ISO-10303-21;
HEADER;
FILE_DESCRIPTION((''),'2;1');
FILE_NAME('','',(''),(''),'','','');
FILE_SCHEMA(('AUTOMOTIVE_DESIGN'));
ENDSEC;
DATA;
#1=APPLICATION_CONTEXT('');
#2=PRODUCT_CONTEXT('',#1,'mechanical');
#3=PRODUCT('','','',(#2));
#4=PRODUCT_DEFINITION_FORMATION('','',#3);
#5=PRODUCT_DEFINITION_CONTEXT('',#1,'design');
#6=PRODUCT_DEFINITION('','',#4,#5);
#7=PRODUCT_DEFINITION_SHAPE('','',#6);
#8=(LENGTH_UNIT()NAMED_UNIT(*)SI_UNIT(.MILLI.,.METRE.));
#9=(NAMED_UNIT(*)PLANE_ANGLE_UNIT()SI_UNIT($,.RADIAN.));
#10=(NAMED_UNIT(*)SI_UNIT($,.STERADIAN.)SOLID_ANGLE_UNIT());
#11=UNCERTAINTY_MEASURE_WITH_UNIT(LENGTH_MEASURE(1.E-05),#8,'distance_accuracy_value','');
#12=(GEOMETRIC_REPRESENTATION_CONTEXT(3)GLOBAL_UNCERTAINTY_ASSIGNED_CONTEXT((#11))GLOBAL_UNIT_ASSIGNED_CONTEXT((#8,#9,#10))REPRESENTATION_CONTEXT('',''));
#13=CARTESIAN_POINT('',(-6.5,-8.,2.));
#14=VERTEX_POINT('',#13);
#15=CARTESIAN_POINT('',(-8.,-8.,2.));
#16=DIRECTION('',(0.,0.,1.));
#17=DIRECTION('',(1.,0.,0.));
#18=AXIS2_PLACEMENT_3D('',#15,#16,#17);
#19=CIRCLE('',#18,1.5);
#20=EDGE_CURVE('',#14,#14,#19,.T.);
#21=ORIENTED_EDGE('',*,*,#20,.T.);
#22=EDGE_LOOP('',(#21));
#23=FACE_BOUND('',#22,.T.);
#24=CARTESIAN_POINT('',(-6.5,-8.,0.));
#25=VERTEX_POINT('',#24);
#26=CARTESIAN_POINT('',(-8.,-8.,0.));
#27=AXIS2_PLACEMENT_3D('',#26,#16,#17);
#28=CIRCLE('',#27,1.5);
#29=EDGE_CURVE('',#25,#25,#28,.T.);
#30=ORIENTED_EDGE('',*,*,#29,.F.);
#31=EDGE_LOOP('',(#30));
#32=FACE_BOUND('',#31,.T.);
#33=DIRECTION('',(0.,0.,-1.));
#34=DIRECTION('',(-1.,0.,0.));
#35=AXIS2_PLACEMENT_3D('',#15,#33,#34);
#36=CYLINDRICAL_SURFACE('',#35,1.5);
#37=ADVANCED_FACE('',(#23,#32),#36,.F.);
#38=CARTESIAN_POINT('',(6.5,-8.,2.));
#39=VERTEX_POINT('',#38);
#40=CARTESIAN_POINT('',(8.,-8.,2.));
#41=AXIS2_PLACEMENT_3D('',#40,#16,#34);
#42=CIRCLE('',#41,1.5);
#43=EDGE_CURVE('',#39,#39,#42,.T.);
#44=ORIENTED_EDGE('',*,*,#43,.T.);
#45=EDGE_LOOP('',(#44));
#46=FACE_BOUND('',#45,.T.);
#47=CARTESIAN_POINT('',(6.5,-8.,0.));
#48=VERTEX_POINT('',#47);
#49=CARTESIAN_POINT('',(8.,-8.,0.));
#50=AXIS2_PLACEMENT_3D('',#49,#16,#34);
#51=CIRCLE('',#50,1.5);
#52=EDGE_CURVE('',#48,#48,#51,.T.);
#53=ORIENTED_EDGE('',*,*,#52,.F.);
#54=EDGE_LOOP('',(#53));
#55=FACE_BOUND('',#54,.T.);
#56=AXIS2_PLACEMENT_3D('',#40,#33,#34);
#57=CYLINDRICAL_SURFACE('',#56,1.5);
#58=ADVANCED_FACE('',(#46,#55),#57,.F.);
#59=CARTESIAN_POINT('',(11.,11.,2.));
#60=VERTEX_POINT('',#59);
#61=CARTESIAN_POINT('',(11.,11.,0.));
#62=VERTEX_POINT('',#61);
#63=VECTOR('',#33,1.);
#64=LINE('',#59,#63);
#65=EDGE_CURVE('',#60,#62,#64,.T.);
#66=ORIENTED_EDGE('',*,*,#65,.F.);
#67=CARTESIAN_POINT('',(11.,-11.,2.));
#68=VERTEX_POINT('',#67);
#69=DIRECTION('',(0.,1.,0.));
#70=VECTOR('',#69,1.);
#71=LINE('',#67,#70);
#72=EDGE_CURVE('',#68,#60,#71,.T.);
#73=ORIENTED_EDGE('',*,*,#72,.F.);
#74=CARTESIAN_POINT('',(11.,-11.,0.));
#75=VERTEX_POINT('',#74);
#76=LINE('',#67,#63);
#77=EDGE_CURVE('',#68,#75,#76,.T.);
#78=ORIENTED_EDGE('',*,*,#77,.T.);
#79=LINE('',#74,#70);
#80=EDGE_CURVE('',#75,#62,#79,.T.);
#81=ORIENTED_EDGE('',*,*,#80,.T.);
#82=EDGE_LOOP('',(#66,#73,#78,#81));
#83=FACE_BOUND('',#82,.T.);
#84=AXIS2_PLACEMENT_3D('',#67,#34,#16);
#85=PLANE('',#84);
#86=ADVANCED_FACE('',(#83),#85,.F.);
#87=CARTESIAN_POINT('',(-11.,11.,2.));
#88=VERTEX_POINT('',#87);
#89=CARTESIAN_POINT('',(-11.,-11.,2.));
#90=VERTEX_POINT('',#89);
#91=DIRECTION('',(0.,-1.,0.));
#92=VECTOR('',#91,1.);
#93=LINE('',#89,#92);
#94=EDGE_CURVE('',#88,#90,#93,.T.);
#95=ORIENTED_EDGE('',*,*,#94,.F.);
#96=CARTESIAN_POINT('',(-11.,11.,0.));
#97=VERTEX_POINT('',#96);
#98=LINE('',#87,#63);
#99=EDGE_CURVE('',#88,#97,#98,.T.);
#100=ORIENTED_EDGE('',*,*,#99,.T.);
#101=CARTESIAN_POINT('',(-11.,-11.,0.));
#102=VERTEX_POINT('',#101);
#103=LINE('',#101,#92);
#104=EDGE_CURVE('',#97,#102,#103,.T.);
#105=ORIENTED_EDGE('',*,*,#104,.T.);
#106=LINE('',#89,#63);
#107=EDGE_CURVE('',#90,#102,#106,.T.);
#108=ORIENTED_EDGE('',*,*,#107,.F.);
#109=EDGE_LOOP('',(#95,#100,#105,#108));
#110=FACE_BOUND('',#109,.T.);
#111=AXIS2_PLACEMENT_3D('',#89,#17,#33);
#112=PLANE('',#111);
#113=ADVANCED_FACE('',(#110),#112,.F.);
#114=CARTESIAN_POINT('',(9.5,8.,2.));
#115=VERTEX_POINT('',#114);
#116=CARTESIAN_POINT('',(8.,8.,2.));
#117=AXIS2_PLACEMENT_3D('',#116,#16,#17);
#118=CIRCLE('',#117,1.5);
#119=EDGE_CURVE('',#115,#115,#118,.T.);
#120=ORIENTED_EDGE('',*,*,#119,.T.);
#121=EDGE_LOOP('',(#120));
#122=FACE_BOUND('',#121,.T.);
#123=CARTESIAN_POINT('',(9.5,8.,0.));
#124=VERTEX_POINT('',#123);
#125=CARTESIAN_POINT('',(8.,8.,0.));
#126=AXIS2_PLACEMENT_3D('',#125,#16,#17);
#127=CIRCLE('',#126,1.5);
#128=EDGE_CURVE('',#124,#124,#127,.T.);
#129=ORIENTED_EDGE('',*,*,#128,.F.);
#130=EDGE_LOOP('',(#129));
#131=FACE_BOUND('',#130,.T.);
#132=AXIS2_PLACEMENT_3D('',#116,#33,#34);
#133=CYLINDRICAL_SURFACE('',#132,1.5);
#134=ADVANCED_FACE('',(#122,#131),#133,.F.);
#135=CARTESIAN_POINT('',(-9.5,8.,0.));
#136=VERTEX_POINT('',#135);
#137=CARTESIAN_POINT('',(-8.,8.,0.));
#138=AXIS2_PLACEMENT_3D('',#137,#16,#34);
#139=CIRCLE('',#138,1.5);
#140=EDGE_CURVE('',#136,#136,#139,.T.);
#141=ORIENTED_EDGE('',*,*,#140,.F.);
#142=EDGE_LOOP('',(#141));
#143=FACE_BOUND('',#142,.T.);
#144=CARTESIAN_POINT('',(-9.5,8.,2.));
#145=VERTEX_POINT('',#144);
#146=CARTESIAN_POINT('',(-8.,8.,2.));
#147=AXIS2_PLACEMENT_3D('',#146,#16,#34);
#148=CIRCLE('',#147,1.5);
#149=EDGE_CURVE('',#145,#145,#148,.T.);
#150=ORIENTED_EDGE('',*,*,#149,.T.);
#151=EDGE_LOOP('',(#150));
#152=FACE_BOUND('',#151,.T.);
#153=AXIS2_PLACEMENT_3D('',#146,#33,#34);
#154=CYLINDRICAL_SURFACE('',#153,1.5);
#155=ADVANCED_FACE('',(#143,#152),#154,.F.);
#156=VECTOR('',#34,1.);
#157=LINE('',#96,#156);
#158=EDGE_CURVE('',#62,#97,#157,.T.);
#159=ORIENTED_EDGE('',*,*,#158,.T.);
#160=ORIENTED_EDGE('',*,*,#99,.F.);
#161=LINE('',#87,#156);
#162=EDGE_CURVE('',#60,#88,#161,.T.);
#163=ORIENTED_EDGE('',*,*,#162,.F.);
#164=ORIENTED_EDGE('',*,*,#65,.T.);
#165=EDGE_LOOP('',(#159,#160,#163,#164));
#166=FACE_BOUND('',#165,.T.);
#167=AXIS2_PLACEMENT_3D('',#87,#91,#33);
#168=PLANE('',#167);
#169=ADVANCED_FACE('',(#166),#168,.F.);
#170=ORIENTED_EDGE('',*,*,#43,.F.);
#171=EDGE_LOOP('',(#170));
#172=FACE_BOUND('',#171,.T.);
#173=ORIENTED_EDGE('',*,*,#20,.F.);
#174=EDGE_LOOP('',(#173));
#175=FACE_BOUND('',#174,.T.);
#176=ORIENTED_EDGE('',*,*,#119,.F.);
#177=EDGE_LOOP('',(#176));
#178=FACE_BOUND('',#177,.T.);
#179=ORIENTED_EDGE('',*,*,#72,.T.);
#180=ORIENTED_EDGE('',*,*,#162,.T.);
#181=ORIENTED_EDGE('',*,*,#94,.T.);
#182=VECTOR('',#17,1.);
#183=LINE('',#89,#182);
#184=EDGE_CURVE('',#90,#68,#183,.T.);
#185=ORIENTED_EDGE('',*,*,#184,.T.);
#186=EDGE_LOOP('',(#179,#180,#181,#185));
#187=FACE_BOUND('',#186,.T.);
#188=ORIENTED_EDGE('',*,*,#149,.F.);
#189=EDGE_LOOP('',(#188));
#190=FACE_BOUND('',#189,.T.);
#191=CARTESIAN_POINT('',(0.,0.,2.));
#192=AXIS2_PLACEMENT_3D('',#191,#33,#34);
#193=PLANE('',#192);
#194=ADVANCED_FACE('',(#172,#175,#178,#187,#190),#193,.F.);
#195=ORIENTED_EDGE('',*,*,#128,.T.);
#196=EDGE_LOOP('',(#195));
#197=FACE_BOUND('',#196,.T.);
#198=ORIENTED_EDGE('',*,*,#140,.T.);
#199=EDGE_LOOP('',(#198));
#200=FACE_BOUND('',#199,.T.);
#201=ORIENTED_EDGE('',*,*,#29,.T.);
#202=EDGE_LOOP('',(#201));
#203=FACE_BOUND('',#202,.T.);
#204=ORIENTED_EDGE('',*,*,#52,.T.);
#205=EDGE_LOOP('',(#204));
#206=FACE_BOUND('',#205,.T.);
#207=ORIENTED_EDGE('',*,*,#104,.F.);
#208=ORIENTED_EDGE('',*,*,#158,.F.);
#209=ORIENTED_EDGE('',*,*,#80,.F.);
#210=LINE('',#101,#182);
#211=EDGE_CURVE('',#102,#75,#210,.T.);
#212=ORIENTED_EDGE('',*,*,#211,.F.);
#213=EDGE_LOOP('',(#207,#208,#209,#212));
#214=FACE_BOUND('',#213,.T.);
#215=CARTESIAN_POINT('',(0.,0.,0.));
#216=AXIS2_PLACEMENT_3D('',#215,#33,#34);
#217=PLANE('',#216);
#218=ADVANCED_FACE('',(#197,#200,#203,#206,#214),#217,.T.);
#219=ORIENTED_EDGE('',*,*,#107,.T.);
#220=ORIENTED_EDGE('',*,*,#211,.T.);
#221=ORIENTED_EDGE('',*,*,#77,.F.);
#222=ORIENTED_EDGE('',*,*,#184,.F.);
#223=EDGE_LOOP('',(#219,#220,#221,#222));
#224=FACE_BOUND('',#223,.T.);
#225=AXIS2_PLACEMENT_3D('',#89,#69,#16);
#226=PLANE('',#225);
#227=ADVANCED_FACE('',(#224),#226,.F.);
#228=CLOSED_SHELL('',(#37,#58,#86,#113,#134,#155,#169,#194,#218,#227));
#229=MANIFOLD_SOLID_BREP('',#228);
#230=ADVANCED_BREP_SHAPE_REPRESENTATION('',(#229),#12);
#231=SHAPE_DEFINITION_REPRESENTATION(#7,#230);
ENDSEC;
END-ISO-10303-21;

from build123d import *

# Parameters (mm, degrees)
SKETCH1_W           = 22
SKETCH1_H           = 22
SKETCH1_R           = 1.5
BOSS_EXTRUDE1_DEPTH = 2


with BuildPart() as part:
    # Sketch1 → Boss-Extrude1 (new body)
    with BuildSketch(Plane.XY):
        Rectangle(SKETCH1_W, SKETCH1_H)
        with Locations((8, 8)):
            Circle(SKETCH1_R, mode=Mode.SUBTRACT)
        with Locations(Location((8, -8, 0), (0, 0, 180))):
            Circle(SKETCH1_R, mode=Mode.SUBTRACT)
        with Locations((-8, -8)):
            Circle(SKETCH1_R, mode=Mode.SUBTRACT)
        with Locations(Location((-8, 8, 0), (0, 0, 180))):
            Circle(SKETCH1_R, mode=Mode.SUBTRACT)
    extrude(amount=BOSS_EXTRUDE1_DEPTH)


solid = part.part
